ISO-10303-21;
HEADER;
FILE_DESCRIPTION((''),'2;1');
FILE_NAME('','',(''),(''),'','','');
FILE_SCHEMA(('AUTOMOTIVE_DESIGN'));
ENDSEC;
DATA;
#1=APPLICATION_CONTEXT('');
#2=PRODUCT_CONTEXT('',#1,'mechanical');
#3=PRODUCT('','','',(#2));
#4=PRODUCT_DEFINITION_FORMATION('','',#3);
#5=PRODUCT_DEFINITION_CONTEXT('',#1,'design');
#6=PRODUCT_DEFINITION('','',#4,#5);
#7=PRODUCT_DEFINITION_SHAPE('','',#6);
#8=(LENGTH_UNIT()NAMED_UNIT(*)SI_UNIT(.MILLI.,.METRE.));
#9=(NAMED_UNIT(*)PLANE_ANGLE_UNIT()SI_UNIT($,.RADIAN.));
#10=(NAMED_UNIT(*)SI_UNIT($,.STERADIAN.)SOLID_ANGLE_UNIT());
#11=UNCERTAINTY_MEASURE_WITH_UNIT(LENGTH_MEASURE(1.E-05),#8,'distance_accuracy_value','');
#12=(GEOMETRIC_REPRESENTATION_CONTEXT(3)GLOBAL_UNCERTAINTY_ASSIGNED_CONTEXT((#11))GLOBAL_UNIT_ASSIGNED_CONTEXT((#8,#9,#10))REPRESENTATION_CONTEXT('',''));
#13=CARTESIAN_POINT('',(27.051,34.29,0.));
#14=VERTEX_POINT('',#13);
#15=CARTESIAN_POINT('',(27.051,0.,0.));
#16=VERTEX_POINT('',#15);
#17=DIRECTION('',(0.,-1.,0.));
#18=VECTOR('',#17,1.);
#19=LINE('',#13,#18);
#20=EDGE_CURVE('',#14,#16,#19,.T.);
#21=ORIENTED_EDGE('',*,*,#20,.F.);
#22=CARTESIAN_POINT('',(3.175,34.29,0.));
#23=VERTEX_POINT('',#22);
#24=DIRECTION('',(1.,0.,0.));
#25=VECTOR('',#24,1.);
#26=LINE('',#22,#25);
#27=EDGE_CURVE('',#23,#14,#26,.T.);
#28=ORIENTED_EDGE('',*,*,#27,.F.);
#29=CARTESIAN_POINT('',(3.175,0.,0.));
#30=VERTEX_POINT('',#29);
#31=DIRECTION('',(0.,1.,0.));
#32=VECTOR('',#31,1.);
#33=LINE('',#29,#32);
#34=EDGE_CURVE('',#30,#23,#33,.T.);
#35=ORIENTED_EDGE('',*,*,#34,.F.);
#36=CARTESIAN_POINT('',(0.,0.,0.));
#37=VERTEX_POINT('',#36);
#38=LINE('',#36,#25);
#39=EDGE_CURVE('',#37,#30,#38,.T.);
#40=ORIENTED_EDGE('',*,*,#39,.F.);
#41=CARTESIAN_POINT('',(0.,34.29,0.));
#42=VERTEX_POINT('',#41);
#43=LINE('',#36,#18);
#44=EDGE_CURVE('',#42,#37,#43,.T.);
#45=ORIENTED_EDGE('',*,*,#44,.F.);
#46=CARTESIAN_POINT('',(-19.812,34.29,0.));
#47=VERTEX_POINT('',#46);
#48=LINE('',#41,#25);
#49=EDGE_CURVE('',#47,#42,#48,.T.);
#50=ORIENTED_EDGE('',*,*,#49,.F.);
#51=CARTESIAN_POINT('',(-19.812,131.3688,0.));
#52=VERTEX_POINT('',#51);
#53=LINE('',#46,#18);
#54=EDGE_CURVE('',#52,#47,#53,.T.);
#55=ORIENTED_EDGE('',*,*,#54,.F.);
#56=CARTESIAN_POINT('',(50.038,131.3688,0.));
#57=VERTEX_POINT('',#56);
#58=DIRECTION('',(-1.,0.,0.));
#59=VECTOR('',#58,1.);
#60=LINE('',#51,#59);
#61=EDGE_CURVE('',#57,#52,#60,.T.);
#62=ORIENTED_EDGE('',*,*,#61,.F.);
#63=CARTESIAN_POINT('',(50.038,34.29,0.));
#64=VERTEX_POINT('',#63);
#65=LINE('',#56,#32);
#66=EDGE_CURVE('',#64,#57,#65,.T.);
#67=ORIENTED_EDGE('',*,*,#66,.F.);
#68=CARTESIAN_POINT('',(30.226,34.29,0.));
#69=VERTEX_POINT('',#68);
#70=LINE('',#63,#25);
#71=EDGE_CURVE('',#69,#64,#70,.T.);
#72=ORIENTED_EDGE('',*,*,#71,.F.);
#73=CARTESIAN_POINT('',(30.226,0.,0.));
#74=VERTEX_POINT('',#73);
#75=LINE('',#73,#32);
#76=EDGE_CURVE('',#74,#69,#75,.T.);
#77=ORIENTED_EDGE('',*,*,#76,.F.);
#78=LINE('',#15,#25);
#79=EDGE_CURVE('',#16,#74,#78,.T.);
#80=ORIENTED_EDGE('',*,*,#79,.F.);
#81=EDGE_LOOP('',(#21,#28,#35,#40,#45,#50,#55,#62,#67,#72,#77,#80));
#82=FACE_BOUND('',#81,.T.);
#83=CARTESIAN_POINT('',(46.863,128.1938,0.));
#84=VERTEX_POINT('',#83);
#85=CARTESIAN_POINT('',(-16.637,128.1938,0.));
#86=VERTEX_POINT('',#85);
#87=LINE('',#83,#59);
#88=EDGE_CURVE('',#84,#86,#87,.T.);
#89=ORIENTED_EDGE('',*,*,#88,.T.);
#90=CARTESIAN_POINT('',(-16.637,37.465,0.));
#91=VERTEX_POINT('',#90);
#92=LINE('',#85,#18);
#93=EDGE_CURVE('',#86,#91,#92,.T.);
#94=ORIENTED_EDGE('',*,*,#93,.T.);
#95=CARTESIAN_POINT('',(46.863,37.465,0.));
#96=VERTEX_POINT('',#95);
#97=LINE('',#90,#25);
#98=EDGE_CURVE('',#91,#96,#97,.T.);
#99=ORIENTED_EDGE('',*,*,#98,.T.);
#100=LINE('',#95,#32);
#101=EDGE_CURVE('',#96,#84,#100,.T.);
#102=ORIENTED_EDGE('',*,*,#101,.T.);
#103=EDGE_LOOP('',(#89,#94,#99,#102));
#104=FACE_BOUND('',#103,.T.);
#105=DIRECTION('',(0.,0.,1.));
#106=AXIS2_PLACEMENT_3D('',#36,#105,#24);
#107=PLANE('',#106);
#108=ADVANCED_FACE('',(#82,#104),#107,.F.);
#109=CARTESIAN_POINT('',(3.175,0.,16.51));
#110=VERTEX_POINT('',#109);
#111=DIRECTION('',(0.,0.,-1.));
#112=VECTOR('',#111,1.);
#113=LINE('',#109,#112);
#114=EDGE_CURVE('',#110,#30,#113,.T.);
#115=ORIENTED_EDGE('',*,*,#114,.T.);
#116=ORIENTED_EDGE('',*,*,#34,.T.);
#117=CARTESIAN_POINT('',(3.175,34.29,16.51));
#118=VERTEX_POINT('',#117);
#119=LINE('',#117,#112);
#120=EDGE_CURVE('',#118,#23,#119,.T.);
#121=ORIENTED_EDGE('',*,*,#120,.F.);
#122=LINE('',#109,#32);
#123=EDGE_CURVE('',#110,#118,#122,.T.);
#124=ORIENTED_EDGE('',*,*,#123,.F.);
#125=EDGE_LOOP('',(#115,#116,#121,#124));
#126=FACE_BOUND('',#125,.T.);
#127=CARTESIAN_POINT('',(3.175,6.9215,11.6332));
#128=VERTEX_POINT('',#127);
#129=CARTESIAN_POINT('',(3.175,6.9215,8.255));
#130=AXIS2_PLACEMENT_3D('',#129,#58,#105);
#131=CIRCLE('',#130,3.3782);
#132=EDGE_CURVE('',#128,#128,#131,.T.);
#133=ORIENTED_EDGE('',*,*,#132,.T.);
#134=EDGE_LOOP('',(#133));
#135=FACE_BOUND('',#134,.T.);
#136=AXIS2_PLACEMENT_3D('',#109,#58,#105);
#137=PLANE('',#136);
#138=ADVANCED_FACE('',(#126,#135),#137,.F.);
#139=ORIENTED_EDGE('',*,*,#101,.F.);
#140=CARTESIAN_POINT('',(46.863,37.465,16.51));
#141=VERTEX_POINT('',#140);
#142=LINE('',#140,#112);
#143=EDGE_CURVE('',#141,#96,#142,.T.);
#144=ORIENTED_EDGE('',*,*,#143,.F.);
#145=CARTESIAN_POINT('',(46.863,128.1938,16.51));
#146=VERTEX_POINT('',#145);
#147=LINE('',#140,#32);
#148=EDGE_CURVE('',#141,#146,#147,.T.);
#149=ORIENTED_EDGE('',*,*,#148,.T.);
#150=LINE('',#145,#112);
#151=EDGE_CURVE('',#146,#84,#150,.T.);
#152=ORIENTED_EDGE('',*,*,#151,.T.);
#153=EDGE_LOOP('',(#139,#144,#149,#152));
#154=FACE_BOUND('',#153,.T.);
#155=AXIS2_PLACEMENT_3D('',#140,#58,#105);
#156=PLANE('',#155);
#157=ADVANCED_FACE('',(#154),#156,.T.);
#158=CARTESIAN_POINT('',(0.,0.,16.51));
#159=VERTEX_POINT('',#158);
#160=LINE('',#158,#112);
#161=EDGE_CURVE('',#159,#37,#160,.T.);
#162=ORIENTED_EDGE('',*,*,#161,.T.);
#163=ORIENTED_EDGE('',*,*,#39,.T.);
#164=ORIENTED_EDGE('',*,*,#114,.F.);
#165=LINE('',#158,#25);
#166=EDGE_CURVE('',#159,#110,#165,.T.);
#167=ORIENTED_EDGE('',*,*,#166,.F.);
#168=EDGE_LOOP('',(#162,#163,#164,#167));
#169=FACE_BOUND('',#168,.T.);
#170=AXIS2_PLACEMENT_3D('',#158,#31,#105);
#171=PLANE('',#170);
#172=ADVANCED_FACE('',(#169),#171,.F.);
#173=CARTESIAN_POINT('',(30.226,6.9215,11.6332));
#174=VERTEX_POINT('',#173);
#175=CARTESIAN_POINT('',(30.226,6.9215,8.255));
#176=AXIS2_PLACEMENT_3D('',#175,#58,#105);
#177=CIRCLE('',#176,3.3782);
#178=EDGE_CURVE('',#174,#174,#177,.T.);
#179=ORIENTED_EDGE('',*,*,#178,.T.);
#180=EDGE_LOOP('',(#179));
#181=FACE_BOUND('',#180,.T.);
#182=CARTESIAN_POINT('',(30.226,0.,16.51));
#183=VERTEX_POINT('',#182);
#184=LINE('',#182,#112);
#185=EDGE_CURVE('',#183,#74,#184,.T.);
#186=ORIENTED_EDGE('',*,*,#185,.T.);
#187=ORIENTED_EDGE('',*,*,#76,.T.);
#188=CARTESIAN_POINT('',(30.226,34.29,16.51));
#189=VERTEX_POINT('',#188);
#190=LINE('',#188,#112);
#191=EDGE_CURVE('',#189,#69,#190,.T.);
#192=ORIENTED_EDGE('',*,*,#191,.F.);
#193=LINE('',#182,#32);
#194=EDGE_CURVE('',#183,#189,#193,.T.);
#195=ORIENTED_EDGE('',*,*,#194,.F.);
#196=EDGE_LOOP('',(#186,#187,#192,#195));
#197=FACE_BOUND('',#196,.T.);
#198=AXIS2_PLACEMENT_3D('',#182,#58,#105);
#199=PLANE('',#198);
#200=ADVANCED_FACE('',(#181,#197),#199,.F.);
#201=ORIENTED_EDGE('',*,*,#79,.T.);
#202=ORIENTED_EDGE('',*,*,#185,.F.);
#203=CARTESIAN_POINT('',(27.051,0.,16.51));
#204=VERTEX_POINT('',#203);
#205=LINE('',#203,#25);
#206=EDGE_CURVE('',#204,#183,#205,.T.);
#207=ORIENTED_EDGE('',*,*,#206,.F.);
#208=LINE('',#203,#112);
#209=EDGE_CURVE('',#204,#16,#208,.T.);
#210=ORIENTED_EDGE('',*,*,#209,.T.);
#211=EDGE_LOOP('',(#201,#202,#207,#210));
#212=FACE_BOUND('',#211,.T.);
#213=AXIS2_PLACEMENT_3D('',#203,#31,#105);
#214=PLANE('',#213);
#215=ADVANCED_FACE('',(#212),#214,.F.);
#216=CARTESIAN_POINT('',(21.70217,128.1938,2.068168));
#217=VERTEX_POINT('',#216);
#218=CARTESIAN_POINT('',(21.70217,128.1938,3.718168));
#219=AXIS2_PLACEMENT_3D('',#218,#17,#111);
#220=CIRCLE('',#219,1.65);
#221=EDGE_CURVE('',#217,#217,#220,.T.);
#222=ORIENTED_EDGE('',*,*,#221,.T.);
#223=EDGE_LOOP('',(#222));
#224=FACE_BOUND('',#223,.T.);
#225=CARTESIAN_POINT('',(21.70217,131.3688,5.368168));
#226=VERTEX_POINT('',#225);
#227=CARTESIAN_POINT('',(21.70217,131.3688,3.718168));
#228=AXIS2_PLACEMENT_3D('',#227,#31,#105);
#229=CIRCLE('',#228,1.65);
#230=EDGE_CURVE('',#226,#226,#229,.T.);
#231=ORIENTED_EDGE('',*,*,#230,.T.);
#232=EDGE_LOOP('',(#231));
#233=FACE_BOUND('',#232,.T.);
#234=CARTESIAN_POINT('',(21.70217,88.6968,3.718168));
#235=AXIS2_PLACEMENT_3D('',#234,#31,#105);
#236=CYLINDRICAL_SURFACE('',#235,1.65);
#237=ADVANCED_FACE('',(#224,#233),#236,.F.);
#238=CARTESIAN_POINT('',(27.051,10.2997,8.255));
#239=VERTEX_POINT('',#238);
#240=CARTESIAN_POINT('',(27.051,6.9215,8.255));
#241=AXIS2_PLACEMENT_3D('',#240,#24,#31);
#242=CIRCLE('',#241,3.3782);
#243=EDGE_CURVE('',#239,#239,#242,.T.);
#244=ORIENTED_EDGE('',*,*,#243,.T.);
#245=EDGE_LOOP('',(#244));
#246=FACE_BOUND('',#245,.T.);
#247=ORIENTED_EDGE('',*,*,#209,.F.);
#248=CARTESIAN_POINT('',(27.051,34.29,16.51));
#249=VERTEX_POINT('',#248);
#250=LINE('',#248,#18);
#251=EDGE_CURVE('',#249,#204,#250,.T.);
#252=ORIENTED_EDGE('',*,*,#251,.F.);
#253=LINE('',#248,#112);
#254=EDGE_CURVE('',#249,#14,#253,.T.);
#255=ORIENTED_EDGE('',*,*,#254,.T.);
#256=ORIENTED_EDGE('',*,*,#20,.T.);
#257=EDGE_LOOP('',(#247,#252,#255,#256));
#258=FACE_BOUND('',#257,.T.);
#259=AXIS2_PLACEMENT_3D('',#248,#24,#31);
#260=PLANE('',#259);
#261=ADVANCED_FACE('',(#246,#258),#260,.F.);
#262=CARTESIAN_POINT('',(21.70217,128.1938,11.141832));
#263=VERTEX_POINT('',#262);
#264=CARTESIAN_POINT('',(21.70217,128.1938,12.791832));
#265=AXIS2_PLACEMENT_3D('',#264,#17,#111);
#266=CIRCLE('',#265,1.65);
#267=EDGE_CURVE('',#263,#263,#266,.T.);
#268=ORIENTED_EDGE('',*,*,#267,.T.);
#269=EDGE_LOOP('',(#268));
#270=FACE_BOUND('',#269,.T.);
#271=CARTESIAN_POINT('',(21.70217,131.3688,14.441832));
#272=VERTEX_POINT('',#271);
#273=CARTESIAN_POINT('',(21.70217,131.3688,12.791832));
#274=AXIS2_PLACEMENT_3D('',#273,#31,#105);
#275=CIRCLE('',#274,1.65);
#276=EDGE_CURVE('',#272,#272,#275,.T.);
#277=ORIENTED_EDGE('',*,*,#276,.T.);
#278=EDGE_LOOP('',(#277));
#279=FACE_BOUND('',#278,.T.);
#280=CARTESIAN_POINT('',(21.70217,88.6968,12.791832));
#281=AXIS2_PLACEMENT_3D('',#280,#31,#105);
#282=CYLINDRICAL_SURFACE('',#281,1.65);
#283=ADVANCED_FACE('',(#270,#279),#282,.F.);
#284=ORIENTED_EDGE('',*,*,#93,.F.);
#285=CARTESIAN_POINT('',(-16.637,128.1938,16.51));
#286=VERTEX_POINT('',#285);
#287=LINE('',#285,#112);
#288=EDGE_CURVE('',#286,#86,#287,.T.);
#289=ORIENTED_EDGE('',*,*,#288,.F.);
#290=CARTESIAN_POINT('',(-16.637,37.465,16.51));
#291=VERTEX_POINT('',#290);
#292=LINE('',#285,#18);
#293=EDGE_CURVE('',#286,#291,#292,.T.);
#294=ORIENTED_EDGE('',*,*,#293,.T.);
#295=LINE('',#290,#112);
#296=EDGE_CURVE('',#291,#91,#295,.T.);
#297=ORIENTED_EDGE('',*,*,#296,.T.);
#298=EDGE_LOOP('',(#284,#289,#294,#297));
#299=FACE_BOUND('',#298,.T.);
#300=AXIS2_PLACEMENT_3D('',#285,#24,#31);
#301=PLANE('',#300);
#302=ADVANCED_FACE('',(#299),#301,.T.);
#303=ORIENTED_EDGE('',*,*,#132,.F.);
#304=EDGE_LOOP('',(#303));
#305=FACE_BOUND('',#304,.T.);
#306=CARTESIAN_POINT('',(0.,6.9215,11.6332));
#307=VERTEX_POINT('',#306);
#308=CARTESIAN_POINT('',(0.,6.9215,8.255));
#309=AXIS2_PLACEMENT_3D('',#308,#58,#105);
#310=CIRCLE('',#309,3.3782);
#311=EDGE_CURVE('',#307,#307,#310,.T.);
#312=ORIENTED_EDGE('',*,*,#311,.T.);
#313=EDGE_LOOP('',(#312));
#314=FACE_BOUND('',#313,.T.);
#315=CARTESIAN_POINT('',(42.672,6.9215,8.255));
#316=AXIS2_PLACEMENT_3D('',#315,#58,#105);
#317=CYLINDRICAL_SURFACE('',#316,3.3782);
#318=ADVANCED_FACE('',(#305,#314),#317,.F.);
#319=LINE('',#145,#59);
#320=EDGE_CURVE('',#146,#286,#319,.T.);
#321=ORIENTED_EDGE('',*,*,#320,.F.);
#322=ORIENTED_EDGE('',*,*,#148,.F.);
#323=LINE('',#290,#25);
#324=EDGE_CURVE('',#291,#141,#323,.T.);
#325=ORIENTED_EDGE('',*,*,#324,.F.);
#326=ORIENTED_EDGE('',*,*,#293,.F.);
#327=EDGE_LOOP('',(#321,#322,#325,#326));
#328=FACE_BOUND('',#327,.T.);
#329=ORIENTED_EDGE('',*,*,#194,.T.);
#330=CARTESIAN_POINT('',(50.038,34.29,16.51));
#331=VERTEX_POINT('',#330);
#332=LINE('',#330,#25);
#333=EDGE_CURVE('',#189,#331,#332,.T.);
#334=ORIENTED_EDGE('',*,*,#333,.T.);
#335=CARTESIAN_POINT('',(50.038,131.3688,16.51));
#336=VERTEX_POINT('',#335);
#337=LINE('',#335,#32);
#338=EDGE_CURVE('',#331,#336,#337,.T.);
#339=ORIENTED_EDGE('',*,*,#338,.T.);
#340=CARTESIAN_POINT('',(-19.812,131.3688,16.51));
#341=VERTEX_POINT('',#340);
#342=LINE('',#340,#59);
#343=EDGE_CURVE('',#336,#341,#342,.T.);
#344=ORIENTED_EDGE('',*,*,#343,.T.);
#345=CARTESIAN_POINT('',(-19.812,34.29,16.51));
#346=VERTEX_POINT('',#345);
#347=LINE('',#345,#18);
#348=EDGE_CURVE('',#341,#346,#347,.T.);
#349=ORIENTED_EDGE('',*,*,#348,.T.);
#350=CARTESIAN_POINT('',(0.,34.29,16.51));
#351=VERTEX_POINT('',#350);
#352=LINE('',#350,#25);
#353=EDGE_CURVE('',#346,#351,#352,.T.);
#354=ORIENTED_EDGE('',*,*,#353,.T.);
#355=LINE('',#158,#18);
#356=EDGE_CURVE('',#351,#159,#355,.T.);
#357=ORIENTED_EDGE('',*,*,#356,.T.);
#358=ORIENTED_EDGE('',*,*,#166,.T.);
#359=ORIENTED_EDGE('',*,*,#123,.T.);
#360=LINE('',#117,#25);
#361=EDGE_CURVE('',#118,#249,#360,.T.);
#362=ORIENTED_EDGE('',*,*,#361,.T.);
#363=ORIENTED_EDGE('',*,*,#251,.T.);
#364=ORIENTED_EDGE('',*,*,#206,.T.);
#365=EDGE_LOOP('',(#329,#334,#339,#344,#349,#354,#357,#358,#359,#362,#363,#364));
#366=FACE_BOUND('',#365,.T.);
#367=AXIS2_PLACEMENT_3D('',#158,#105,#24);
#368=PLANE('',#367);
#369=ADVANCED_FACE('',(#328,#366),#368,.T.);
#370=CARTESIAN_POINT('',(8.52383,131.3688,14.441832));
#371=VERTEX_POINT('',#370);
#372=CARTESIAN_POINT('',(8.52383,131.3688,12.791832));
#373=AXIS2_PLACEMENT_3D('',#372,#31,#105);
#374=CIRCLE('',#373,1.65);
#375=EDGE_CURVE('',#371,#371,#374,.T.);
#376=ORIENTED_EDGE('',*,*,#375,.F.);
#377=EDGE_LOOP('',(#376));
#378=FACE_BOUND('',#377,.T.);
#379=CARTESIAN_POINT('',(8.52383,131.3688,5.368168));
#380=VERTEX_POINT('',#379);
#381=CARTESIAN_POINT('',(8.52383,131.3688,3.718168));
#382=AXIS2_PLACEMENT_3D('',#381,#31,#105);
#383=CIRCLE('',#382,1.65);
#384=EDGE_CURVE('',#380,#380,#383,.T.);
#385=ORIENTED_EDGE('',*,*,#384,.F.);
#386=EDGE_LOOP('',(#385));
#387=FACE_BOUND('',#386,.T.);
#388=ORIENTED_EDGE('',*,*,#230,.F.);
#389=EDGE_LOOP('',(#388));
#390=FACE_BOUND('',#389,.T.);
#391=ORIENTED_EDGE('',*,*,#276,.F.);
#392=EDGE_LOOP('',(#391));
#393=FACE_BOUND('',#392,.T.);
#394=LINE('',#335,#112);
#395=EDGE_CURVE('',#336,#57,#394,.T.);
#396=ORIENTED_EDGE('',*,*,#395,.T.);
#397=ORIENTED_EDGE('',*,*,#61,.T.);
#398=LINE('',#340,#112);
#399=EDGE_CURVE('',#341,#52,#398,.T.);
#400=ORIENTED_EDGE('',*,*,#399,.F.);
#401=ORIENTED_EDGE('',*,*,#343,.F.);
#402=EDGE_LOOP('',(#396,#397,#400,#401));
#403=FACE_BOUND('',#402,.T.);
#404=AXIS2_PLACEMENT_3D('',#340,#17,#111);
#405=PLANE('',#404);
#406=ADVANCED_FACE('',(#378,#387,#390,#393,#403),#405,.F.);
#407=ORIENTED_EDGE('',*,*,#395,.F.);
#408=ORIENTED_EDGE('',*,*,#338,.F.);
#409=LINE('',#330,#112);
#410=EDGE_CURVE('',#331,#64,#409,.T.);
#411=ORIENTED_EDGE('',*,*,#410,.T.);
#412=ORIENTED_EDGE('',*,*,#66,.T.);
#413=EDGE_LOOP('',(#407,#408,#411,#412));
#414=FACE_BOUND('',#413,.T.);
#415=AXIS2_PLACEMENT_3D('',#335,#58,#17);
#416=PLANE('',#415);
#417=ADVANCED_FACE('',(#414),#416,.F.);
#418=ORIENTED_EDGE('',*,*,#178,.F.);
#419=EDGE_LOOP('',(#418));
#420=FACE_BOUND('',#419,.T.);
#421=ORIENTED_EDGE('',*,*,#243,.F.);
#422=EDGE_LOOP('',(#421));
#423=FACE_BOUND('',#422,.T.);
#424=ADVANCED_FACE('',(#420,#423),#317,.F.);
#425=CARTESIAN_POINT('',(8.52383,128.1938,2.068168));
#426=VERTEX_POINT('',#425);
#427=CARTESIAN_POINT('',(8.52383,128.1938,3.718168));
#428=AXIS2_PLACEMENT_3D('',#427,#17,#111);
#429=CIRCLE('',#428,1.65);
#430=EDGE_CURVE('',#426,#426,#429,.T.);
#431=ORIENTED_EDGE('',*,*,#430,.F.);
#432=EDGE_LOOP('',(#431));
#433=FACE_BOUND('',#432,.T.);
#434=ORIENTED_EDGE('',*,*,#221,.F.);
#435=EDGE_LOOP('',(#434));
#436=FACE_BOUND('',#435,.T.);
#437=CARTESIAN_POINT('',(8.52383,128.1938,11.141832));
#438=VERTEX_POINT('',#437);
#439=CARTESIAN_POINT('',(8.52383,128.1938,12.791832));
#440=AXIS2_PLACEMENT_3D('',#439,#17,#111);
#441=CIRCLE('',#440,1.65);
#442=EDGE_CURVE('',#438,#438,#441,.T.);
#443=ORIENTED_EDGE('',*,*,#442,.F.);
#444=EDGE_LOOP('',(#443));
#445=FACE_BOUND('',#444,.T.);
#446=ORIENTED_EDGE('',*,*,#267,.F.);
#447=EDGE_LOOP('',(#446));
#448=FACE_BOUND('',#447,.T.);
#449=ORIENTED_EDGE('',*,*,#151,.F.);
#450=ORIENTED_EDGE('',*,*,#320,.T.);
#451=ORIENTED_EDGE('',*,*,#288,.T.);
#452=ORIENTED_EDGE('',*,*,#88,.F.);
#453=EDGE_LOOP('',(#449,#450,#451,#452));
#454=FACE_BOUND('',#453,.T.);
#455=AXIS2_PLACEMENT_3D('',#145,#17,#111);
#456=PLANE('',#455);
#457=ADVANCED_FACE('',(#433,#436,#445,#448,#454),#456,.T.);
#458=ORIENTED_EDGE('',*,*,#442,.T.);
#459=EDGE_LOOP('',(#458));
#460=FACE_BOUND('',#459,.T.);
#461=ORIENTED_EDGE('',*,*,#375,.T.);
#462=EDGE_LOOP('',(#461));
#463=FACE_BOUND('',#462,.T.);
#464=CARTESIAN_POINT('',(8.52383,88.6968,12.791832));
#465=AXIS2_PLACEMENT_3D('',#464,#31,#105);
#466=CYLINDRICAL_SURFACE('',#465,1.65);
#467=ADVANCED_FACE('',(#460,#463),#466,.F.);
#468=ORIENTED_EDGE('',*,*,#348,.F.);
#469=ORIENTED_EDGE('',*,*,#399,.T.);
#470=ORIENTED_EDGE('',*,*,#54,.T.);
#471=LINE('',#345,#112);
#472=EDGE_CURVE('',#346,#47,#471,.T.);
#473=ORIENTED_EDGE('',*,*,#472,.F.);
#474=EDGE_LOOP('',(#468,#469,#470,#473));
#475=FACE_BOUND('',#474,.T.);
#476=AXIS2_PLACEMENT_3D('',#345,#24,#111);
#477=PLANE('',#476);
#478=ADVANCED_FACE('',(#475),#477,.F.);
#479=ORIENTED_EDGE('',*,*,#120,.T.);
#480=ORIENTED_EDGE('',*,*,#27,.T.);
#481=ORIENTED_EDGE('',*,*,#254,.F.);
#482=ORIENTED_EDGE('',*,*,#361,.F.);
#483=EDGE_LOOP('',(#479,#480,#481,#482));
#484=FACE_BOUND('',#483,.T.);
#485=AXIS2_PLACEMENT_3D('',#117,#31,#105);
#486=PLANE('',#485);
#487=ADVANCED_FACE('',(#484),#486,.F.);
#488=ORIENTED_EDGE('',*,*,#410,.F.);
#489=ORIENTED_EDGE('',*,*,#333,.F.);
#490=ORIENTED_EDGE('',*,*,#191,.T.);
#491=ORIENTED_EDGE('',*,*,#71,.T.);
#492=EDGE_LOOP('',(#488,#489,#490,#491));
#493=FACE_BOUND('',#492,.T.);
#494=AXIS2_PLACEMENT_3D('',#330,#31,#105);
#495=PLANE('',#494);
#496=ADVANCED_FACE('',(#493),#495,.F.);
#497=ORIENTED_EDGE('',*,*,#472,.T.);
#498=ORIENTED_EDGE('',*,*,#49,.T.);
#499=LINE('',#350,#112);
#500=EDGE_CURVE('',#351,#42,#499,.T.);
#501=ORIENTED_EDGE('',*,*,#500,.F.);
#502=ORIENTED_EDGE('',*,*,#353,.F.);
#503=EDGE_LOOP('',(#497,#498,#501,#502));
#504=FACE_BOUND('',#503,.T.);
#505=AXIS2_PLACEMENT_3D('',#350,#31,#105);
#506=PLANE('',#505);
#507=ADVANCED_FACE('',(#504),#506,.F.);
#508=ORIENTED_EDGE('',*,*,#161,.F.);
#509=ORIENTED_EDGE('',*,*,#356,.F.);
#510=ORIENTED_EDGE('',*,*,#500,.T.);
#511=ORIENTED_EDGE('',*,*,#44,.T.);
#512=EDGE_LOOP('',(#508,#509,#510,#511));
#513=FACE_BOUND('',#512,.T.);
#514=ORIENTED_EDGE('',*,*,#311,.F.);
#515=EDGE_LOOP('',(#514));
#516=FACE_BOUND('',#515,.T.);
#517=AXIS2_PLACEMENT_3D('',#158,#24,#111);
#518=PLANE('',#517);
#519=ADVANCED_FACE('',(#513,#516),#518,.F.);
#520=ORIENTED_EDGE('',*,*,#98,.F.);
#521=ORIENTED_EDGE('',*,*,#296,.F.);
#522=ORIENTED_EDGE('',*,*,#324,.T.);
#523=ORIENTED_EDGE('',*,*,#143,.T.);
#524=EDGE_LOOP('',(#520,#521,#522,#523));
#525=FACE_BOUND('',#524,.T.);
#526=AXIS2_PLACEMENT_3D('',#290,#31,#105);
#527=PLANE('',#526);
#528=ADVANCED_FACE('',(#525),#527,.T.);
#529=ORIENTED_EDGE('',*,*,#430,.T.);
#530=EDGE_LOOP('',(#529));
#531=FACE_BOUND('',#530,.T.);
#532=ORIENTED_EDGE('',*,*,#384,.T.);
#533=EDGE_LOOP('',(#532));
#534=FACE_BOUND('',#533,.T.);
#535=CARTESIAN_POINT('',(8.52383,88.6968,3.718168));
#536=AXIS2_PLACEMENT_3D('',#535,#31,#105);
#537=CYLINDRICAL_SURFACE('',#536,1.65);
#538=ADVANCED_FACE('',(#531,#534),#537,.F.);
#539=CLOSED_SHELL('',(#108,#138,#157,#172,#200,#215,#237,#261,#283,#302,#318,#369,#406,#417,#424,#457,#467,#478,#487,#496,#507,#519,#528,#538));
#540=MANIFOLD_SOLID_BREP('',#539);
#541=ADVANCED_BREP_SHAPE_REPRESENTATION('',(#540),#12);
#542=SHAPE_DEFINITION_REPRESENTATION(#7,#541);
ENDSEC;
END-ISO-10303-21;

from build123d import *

# Parameters (mm, degrees)
SKETCH1_W           = 63.5
SKETCH1_H           = 90.7288
BOSS_EXTRUDE1_DEPTH = 16.51
SKETCH2_R           = 3.3782
CUT_EXTRUDE1_DEPTH  = 42.672
SKETCH3_R           = 1.65
CUT_EXTRUDE2_DEPTH  = 42.672


with BuildPart() as part:
    # Sketch1 → Boss-Extrude1 (new body)
    with BuildSketch(Plane.XY):
        Polygon((3.175, 34.29), (27.051, 34.29), (27.051, 0), (30.226, 0), (30.226, 34.29), (50.038, 34.29), (50.038, 131.3688), (-19.812, 131.3688), (-19.812, 34.29), (0, 34.29), (0, 0), (3.175, 0), align=None)
        with Locations((15.113, 82.8294)):
            Rectangle(SKETCH1_W, SKETCH1_H, mode=Mode.SUBTRACT)
    extrude(amount=BOSS_EXTRUDE1_DEPTH)

    # Sketch2 → Cut-Extrude1 (cut)
    with BuildSketch(Plane.ZY):
        with Locations((8.255, 6.9215)):
            Circle(SKETCH2_R)
    extrude(amount=-CUT_EXTRUDE1_DEPTH, mode=Mode.SUBTRACT)

    # Sketch3 → Cut-Extrude2 (cut)
    with BuildSketch(Plane(origin=(0, 131.3688, 0), x_dir=(1, 0, 0), z_dir=(0, 1, 0))):
        with Locations((8.52383023, -3.718168314)):
            Circle(SKETCH3_R)
        with Locations((8.52383023, -12.791831686)):
            Circle(SKETCH3_R)
        with Locations((21.70216977, -12.791831686)):
            Circle(SKETCH3_R)
        with Locations((21.70216977, -3.718168314)):
            Circle(SKETCH3_R)
    extrude(amount=-CUT_EXTRUDE2_DEPTH, mode=Mode.SUBTRACT)


solid = part.part
